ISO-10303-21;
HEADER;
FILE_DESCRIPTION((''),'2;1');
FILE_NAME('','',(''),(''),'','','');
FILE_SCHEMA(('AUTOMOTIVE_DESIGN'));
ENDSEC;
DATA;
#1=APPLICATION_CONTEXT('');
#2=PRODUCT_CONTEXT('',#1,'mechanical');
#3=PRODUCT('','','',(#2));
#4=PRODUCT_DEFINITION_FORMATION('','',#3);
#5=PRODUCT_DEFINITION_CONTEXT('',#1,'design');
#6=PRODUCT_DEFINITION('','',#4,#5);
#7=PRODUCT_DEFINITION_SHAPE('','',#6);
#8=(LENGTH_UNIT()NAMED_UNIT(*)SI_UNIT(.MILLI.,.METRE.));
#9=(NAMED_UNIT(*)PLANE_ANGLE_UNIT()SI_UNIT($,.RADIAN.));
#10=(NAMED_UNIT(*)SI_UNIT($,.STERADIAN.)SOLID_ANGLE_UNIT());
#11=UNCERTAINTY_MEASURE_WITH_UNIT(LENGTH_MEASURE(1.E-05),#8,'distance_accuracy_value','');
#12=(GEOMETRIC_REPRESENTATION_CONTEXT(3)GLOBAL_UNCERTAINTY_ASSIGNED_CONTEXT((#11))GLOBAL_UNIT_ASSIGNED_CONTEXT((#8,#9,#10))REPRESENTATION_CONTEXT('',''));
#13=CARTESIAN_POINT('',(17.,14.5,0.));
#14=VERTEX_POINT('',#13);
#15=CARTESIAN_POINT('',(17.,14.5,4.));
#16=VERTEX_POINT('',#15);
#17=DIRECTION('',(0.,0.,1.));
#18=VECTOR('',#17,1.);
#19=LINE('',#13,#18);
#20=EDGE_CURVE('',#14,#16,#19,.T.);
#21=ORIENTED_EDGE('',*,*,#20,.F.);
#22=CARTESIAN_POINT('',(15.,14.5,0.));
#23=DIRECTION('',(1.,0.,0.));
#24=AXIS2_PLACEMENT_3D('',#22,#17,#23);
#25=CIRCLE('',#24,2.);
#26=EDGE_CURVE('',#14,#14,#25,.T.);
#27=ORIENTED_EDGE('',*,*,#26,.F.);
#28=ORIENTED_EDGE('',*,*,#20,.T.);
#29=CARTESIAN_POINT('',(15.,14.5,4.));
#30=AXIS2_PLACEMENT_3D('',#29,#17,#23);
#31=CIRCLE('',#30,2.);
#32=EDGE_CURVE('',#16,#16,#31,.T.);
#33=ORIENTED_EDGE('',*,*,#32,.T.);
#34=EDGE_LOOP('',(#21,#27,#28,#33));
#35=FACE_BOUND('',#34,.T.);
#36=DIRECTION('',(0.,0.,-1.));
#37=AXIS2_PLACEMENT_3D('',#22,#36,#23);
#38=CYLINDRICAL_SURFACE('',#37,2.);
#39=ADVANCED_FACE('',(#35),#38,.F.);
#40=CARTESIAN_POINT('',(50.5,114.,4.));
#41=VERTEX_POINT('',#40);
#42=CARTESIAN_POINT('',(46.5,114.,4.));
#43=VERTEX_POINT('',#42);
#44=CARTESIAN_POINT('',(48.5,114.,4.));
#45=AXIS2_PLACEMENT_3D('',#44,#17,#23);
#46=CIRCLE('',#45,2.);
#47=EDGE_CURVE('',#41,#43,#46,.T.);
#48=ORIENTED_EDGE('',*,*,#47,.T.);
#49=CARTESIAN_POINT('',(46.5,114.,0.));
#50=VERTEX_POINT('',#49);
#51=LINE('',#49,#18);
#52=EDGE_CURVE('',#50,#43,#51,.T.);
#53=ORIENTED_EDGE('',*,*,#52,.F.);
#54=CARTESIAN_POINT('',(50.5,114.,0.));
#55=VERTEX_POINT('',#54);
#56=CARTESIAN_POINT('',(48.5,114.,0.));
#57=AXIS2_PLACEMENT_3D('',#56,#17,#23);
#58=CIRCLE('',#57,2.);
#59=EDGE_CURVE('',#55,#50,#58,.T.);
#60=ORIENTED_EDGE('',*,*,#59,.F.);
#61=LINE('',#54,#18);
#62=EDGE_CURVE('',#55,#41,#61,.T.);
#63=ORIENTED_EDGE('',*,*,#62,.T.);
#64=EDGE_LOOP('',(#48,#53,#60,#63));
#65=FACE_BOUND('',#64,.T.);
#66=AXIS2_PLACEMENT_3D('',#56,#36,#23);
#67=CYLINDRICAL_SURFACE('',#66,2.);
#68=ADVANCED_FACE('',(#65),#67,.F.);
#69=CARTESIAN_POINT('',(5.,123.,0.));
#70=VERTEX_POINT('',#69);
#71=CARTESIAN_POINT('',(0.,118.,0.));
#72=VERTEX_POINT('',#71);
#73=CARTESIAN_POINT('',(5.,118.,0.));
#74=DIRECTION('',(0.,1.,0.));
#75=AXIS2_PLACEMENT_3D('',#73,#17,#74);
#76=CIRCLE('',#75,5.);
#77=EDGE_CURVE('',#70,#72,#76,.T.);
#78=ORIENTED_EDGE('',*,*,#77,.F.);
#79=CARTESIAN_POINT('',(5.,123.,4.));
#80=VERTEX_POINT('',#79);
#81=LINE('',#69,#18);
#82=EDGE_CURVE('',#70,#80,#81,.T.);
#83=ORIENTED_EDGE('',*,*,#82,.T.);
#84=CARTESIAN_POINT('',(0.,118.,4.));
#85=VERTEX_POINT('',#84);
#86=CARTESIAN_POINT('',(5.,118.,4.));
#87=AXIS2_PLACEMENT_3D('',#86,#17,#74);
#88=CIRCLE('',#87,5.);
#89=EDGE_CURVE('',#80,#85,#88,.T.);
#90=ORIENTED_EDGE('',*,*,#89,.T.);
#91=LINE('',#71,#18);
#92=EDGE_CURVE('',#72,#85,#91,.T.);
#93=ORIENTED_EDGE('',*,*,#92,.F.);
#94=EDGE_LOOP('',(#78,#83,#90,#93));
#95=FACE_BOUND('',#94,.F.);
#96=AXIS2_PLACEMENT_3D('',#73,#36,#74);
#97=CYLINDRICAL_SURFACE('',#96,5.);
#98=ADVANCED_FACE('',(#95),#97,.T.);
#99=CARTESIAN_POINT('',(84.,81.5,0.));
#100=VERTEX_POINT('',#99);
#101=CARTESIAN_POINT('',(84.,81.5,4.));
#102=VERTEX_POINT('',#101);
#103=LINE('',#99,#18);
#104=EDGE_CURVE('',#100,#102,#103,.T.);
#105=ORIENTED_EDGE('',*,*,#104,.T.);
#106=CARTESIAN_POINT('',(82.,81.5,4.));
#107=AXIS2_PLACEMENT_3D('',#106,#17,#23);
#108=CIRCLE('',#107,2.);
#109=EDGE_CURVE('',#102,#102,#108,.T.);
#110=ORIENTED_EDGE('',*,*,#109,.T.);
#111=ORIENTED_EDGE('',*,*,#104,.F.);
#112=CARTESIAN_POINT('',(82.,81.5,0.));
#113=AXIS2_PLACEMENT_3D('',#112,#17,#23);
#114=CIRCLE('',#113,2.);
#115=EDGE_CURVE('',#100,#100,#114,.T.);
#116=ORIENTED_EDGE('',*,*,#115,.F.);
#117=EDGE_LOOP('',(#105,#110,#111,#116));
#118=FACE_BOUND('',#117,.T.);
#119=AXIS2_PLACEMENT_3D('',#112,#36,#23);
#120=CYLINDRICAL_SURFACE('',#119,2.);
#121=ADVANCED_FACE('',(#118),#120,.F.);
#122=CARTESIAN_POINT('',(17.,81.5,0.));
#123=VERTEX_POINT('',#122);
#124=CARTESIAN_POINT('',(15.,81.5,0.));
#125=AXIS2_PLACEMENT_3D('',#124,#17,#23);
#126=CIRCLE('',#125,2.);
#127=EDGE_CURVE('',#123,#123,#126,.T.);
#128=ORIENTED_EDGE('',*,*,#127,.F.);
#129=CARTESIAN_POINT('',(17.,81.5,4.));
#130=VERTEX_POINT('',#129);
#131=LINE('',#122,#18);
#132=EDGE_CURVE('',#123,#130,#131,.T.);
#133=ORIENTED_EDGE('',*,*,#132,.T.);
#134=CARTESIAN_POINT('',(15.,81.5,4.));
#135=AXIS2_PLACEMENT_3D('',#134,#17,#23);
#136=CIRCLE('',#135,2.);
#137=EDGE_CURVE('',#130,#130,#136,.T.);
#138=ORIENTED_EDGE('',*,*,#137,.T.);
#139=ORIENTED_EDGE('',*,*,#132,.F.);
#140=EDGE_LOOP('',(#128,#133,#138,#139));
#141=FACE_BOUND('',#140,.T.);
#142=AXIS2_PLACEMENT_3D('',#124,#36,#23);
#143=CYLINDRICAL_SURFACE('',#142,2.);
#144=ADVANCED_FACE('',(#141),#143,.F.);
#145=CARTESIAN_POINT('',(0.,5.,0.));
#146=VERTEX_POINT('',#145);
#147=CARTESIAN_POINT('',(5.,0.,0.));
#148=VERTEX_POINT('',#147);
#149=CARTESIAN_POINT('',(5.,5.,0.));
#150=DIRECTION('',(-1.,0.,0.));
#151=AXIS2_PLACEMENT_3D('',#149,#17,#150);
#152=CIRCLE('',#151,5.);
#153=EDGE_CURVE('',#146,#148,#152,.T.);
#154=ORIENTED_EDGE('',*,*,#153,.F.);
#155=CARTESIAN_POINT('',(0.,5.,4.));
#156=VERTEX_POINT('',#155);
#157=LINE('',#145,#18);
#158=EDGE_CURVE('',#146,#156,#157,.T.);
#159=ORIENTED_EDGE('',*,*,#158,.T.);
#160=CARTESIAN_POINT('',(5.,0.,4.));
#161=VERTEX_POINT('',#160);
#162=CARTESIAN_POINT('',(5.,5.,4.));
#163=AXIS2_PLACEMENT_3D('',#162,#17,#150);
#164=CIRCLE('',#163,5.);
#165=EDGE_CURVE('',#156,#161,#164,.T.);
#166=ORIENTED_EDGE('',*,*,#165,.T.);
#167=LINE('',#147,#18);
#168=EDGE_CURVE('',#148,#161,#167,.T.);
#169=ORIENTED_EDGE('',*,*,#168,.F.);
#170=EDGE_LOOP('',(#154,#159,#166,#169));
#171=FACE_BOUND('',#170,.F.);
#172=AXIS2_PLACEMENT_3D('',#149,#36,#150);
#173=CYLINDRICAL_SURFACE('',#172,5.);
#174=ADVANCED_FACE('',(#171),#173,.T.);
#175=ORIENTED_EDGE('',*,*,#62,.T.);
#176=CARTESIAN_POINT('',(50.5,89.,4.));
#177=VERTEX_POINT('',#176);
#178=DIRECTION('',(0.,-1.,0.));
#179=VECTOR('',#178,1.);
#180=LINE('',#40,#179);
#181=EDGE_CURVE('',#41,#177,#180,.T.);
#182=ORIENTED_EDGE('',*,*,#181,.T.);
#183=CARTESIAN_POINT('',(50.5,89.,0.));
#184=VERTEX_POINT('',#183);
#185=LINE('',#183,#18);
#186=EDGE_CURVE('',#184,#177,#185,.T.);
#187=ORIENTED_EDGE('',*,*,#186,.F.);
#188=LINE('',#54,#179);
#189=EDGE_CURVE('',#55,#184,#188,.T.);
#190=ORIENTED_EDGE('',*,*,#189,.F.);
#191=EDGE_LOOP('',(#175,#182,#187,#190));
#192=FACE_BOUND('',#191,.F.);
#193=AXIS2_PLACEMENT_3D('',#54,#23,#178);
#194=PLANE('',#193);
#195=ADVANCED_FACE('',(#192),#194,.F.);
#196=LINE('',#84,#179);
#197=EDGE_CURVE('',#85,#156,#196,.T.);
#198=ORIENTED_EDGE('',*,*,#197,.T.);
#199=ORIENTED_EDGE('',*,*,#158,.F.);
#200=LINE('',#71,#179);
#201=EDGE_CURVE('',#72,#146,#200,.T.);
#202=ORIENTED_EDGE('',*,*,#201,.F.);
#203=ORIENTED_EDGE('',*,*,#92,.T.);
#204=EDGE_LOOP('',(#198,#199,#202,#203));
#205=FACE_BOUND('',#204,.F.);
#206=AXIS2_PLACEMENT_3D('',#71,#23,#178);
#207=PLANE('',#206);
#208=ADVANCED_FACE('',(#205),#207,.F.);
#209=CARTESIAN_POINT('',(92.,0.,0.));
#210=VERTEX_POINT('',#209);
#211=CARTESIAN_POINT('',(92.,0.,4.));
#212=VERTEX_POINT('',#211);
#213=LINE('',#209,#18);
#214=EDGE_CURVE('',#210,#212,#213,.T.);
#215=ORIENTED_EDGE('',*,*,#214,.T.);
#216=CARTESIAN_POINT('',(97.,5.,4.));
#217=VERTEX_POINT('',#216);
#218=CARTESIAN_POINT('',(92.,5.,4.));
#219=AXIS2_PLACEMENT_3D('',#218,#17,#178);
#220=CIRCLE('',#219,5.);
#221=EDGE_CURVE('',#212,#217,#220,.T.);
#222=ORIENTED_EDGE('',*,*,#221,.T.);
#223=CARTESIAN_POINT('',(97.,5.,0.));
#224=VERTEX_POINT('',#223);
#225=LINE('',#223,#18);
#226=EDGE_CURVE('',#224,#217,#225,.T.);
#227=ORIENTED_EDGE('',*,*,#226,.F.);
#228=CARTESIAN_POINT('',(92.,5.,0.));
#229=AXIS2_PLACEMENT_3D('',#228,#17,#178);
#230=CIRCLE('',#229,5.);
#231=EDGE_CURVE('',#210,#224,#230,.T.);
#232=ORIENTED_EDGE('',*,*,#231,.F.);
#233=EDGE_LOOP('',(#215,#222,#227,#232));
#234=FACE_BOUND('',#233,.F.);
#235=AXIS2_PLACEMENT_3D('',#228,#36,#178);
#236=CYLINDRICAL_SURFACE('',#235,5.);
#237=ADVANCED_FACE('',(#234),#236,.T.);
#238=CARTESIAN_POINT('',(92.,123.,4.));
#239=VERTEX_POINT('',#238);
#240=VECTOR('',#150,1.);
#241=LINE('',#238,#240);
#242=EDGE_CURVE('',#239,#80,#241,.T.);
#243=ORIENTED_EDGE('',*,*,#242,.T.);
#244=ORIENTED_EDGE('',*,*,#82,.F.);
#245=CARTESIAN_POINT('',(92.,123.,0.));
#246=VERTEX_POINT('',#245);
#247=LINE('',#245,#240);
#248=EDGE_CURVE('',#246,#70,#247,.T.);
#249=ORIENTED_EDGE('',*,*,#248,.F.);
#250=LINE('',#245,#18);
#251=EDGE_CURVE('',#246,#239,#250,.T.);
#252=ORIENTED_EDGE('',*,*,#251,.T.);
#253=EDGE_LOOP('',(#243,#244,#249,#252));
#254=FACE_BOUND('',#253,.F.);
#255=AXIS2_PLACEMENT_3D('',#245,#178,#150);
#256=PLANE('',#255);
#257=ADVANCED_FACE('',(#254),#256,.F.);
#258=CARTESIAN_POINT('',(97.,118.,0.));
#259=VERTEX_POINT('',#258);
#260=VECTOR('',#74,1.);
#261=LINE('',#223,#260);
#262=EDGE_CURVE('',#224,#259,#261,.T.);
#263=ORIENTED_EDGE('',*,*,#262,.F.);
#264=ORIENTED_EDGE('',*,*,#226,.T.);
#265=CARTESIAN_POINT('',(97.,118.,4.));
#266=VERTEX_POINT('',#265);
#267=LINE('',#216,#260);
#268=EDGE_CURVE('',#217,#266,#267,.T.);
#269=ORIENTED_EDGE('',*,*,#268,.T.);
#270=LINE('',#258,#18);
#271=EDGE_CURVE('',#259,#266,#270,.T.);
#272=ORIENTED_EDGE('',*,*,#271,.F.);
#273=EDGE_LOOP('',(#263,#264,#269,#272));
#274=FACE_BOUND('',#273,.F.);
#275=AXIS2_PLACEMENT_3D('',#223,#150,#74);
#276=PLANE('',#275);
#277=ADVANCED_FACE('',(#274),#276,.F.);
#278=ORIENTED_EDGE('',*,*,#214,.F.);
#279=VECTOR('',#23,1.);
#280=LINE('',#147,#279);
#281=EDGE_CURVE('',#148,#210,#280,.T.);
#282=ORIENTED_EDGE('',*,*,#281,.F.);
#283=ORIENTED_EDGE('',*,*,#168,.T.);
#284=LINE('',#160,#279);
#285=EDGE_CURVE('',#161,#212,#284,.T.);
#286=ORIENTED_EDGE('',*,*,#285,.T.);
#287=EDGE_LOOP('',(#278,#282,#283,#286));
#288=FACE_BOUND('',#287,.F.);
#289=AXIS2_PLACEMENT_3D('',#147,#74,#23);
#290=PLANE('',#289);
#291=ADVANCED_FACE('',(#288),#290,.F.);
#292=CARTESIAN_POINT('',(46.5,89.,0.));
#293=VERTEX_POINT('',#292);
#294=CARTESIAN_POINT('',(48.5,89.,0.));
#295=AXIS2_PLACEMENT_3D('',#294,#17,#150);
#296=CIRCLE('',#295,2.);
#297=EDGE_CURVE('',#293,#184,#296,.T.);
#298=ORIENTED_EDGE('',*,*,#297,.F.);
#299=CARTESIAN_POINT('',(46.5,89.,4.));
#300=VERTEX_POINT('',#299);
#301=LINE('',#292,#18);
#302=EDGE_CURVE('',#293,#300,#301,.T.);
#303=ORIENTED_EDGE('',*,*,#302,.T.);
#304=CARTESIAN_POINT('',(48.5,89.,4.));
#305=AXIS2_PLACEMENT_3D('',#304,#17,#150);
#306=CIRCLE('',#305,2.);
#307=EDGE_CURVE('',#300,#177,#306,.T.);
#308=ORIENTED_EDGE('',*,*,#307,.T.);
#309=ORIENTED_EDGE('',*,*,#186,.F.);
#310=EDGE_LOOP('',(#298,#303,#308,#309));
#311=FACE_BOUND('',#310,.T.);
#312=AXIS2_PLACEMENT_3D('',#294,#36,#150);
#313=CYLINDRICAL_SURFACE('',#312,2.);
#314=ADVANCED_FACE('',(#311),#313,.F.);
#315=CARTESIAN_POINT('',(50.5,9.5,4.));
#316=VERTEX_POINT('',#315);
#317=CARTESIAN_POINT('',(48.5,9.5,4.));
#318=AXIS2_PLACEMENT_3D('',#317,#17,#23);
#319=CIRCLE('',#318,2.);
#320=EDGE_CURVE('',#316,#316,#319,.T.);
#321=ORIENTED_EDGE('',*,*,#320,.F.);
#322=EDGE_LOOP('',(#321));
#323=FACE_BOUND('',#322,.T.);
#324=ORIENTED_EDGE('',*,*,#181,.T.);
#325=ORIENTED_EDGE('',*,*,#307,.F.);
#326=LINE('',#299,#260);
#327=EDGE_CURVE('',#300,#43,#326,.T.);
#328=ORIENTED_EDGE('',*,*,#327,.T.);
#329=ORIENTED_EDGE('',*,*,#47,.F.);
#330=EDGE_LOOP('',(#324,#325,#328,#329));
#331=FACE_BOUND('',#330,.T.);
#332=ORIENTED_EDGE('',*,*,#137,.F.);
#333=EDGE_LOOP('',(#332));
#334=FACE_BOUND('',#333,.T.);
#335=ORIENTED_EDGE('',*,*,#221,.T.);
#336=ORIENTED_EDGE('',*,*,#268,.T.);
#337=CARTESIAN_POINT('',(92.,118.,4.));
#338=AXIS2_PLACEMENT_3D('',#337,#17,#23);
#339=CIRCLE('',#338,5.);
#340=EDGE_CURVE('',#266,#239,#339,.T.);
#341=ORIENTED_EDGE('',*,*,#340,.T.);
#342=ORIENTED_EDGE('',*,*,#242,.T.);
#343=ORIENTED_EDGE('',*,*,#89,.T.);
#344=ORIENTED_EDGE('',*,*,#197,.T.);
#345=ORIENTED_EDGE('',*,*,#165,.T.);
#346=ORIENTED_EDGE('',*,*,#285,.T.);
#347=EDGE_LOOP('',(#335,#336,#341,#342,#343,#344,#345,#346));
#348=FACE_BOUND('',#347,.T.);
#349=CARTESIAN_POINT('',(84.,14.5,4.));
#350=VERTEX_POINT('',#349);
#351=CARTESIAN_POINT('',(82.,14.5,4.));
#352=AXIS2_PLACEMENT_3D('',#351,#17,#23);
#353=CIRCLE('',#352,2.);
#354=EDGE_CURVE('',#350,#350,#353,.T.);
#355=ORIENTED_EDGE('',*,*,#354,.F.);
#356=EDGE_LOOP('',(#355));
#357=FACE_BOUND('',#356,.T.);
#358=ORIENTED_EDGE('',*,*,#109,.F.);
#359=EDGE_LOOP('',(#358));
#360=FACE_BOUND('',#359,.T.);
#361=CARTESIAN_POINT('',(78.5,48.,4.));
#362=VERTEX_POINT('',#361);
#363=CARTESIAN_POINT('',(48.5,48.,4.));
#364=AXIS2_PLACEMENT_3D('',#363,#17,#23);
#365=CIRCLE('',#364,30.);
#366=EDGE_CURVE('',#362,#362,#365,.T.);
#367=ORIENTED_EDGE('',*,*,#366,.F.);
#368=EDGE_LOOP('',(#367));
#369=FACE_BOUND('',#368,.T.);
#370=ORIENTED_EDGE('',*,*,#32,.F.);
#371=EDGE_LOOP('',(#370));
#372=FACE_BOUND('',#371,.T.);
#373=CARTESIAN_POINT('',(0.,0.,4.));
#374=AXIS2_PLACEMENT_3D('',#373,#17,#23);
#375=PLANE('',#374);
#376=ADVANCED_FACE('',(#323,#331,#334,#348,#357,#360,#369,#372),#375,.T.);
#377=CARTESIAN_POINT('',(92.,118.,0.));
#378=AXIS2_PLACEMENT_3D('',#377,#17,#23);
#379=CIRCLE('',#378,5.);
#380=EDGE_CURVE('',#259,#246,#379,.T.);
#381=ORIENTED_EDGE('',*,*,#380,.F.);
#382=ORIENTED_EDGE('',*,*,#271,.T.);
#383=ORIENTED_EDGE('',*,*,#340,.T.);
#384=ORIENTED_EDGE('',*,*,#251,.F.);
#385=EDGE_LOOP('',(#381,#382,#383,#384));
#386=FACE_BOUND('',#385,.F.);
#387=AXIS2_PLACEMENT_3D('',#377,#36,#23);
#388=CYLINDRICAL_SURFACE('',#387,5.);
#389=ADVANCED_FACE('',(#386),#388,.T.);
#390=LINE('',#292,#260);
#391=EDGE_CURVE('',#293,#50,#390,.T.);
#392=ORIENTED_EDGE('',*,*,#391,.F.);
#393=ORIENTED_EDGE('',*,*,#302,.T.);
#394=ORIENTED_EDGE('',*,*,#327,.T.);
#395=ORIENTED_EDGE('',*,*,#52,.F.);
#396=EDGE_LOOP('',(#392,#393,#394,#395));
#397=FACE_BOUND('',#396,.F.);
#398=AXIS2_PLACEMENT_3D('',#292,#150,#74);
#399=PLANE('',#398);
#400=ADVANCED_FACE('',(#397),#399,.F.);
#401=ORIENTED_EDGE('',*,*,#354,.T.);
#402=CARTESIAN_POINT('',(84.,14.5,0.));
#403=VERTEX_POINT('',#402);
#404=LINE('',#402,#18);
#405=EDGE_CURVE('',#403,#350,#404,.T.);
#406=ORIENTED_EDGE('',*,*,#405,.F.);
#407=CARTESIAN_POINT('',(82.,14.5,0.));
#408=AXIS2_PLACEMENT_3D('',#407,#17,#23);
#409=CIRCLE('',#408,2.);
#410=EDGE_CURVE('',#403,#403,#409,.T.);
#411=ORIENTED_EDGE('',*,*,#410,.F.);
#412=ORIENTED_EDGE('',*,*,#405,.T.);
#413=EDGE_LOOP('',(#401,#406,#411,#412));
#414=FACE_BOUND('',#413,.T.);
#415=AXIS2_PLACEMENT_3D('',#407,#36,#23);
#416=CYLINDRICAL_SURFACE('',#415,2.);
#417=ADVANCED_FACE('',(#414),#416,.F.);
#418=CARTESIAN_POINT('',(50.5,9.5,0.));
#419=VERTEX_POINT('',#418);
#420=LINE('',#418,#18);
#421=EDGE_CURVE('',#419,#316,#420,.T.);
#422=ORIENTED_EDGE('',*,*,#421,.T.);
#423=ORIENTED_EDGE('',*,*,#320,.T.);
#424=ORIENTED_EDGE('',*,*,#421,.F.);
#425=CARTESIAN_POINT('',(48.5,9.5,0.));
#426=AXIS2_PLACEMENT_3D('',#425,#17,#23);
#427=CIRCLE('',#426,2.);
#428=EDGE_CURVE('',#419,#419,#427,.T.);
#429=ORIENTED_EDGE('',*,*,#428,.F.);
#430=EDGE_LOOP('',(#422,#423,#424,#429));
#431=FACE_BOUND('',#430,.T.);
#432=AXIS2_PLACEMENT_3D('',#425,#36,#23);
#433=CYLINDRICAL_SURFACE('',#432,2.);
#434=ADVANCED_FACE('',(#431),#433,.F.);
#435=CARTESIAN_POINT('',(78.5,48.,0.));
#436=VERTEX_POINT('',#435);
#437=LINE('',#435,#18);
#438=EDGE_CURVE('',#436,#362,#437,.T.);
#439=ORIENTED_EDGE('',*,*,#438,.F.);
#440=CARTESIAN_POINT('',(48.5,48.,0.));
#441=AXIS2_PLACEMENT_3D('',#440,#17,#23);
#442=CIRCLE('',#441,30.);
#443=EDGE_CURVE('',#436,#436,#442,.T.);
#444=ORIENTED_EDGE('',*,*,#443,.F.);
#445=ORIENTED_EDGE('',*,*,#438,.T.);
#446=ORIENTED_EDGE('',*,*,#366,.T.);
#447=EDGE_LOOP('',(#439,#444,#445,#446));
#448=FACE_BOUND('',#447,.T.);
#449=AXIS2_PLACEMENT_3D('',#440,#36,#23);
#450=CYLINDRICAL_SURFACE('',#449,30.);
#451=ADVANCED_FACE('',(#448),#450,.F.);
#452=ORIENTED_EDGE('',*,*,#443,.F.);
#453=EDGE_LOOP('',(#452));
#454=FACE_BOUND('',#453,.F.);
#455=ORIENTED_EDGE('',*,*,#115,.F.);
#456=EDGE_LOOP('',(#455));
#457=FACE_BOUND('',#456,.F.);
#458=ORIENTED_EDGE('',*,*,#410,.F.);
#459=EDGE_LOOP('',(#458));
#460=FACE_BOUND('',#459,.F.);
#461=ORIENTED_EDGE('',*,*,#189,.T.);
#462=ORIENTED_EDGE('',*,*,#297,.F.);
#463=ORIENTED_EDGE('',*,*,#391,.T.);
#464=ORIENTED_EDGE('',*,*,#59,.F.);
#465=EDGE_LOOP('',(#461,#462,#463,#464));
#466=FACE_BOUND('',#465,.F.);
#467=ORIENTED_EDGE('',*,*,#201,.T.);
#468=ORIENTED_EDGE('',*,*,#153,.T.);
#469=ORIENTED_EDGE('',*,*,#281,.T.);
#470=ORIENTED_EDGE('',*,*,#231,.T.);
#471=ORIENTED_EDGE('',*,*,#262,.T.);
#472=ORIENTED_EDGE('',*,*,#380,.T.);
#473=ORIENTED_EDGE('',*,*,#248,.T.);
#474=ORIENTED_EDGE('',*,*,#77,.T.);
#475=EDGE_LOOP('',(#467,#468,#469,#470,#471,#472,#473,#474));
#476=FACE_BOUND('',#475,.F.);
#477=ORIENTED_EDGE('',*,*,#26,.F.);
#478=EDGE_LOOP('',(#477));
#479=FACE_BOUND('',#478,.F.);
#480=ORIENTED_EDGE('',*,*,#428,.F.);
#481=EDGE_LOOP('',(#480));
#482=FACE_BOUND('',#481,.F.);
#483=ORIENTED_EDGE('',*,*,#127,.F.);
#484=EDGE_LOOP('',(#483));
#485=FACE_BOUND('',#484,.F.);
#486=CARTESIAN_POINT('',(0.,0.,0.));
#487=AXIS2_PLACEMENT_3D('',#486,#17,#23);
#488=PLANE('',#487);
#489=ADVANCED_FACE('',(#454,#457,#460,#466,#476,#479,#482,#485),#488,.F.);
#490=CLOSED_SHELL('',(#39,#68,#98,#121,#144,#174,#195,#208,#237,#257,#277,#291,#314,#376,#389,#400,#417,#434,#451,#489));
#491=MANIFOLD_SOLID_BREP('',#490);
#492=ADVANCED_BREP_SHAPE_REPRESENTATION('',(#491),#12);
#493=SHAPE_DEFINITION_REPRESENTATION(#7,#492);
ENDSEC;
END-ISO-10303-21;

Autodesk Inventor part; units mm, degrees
ref_plane "YZ Plane" through (0, 0, 0) normal (1, 0, 0) x (0, 1, 0)
ref_plane "XZ Plane" through (0, 0, 0) normal (0, 1, 0) x (-1, 0, 0)
ref_plane "XY Plane" through (0, 0, 0) normal (0, 0, 1) x (1, 0, 0)
sketch "Эскиз1" plane through (0, 0, 0) normal (0, 0, 1) x (1, 0, 0)
  line L0 (5, 0) -> (92, 0)
  line L1 (97, 5) -> (97, 118)
  line L2 (92, 123) -> (5, 123)
  line L3 (0, 118) -> (0, 5)
  circle A0 centre (48.5, 48) radius 30
  circle A1 centre (15, 81.5) radius 2
  circle A2 centre (82, 81.5) radius 2
  circle A3 centre (82, 14.5) radius 2
  circle A4 centre (15, 14.5) radius 2
  arc A5 (5, 123) -> (0, 118) centre (5, 118) ccw
  arc A6 (97, 118) -> (92, 123) centre (92, 118) ccw
  arc A7 (92, 0) -> (97, 5) centre (92, 5) ccw
  arc A8 (0, 5) -> (5, 0) centre (5, 5) ccw
  circle A9 centre (48.5, 9.5) radius 2
  arc A10 (46.5, 89) -> (50.5, 89) centre (48.5, 89) ccw
  arc A11 (50.5, 114) -> (46.5, 114) centre (48.5, 114) ccw
  line L4 (46.5, 89) -> (46.5, 114)
  line L5 (50.5, 114) -> (50.5, 89)
  point P0 (0, 0)
  point P1 (97, 123)
  point P2 (0, 123)
  dimension "d7" = 4
  dimension "d8" = 4
  dimension "d9" = 4
  dimension "d10" = 5
  dimension "d21" = 4
  dimension "d22" = 4
  dimension "d23" = 4
extrude "Выдавливание1" add sketch "Эскиз1" along normal blind 4
properties part number "Адаптер для считывателя Bolid Proxy-2MA часть 1"
